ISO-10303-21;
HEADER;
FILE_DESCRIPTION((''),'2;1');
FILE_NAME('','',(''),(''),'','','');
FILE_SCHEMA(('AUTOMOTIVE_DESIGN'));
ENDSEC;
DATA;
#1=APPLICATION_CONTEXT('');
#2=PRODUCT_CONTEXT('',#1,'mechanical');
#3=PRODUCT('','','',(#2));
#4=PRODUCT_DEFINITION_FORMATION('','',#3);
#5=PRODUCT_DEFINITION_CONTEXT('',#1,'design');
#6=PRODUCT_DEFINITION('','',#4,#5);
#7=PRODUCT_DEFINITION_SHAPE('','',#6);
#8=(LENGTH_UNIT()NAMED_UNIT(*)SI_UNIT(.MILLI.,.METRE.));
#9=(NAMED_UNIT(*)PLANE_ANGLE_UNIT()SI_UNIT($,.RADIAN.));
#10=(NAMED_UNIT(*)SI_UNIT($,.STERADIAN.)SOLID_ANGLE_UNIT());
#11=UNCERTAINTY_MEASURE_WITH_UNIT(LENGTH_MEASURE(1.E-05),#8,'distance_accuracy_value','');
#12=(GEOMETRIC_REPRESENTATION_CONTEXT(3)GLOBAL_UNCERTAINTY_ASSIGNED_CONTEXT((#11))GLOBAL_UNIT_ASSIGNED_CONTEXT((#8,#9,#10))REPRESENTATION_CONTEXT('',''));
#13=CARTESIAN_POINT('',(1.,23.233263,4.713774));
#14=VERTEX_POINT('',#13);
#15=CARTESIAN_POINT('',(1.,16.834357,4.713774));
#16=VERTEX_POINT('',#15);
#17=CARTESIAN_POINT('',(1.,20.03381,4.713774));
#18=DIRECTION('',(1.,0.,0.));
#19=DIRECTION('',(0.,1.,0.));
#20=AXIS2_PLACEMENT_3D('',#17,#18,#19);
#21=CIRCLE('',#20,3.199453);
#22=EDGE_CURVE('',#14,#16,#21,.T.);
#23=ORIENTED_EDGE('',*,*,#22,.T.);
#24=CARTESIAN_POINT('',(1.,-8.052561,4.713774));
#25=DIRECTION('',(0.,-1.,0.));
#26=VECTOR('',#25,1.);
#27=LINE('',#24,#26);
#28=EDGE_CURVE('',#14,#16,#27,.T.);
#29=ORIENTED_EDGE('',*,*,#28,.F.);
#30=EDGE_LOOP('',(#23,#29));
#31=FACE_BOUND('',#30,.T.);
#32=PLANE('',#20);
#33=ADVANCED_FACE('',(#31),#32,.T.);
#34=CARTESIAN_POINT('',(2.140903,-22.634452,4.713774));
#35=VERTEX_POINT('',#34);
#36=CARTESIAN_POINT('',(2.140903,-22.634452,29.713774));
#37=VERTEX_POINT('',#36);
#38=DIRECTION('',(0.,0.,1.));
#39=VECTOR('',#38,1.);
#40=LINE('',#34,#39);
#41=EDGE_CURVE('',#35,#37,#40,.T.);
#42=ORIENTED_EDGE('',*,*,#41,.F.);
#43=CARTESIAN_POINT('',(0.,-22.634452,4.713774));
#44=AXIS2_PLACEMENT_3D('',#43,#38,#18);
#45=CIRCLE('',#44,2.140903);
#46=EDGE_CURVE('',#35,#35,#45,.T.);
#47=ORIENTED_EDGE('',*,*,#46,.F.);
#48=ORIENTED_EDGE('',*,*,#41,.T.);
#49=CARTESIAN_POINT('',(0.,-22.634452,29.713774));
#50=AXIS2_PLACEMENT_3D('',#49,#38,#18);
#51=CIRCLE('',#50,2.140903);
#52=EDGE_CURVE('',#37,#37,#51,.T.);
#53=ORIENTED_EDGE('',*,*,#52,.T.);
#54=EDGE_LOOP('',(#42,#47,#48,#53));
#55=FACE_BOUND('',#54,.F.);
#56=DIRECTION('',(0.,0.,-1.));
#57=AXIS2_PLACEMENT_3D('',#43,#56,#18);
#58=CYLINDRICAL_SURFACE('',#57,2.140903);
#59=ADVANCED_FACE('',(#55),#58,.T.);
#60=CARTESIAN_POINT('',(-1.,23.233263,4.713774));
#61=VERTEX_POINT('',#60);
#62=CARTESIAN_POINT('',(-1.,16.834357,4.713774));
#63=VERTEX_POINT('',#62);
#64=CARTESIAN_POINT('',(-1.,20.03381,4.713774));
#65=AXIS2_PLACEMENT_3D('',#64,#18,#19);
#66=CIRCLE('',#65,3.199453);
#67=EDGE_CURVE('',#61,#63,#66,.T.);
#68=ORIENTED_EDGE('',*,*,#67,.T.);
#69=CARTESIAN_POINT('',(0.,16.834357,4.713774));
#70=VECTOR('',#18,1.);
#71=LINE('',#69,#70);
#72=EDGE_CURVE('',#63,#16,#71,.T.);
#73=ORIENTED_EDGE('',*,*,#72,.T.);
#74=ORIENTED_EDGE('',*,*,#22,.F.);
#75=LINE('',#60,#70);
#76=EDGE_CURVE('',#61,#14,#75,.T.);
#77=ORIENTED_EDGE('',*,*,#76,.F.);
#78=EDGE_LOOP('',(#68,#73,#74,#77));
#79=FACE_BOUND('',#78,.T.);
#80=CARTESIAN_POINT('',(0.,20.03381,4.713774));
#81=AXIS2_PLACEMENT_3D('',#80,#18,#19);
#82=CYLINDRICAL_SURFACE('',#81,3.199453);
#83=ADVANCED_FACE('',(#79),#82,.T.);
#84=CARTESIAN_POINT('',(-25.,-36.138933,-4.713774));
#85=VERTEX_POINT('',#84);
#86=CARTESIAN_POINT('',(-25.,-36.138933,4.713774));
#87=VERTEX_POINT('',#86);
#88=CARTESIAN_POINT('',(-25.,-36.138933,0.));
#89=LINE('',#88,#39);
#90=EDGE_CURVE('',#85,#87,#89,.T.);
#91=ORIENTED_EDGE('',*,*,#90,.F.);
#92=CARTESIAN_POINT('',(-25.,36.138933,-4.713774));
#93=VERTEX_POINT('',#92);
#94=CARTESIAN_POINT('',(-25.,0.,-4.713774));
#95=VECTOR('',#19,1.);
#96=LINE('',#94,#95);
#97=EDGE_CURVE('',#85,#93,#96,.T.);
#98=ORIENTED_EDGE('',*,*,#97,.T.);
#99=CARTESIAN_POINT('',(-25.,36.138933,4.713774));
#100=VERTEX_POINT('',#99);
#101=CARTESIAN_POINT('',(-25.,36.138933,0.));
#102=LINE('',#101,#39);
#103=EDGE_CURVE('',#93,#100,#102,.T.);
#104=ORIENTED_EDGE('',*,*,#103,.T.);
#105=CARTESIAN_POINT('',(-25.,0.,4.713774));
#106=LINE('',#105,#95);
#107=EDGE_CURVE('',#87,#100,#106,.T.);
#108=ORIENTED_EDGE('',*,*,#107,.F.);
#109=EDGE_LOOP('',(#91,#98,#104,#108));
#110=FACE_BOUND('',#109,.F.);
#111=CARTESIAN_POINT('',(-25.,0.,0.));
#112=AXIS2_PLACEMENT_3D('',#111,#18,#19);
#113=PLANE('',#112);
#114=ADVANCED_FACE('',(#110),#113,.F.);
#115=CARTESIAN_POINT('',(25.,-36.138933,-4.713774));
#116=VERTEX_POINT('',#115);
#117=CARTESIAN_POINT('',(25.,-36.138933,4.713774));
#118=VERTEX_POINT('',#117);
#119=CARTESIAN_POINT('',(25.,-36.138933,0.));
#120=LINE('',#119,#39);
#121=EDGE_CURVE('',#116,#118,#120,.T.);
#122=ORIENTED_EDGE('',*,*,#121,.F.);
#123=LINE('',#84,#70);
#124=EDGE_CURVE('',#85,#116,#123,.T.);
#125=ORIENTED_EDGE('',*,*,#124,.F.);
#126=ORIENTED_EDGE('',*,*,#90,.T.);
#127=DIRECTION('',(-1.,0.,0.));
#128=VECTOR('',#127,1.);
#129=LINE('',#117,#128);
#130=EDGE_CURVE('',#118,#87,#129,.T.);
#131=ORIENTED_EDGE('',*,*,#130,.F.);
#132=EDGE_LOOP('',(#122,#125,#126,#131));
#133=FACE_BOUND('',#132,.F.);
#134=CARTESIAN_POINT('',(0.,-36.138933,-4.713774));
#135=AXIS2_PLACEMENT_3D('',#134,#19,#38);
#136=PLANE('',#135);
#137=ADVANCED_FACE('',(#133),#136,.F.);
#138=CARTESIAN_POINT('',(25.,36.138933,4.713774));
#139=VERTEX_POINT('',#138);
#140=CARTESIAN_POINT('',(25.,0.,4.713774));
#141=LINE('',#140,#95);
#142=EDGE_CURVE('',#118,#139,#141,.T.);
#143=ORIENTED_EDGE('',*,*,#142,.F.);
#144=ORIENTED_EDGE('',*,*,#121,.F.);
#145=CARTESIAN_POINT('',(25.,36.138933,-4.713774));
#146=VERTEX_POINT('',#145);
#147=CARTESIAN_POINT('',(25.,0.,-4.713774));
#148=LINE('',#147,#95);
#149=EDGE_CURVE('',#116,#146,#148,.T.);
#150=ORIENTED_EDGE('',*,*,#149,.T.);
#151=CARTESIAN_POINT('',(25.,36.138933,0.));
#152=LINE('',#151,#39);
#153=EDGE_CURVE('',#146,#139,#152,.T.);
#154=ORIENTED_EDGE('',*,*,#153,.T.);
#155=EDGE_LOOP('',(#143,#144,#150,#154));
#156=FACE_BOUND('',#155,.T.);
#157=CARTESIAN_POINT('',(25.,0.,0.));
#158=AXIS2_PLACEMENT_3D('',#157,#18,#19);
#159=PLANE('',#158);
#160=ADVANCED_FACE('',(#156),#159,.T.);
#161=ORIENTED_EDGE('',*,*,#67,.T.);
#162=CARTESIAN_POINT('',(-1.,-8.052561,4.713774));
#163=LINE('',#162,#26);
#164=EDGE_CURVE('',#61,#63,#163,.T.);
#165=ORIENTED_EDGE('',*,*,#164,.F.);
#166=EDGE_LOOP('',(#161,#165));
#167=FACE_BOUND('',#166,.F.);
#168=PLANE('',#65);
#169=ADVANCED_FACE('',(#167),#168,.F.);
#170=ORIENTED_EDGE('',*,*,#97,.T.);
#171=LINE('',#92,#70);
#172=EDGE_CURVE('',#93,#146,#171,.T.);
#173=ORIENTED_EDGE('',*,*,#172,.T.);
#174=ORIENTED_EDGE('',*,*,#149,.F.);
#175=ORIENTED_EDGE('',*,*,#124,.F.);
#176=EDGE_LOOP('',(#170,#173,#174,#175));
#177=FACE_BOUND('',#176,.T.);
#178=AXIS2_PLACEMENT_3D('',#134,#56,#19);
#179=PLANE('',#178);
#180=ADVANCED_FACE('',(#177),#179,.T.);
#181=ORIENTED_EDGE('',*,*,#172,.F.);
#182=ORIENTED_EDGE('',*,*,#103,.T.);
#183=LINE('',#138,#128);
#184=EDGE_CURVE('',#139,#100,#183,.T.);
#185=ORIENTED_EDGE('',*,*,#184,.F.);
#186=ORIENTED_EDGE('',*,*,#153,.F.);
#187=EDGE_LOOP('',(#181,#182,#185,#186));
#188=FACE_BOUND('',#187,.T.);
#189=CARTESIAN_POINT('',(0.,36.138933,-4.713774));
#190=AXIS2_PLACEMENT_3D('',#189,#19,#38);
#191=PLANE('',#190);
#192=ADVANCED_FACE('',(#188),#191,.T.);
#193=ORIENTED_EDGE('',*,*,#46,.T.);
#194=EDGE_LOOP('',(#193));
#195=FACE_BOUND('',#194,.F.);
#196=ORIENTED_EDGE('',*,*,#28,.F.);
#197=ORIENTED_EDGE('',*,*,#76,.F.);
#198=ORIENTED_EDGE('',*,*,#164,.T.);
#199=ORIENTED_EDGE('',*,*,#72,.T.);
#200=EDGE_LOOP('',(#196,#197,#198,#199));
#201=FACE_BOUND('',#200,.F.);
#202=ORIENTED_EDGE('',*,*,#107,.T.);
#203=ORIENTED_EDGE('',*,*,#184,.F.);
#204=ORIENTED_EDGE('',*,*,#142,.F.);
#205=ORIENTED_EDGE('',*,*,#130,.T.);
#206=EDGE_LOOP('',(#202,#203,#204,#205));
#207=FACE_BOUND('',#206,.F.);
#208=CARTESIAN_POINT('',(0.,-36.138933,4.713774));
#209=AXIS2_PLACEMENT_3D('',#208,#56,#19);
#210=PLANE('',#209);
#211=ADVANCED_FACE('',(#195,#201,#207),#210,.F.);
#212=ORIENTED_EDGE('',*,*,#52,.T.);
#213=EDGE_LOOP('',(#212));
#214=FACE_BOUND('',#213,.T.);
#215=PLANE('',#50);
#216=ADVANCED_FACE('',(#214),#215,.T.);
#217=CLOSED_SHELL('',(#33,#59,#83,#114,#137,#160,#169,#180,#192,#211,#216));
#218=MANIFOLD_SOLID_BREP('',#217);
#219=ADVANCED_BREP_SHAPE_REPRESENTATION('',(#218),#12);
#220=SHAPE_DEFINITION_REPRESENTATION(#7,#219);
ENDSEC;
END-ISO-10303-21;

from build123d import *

# Parameters (mm, degrees)
F0_W     = 72.277866
F0_H     = 9.427548
F1_DEPTH = 25
F2_R     = 2.140903
F3_DEPTH = 25
F4_R     = 3.199453
F5_DEPTH = 1


with BuildPart() as f1:
    # F0 (on Right) → F1 (new body, symmetric)
    with BuildSketch(Plane.YZ):
        Rectangle(F0_W, F0_H)
    extrude(amount=F1_DEPTH, both=True)

    # F2 (on face) → F3 (join)
    with BuildSketch(Plane.XY.offset(4.713774)):
        with Locations((0, -22.634452)):
            Circle(F2_R)
    extrude(amount=F3_DEPTH)

    # F4 (on Right) → F5 (join, symmetric)
    with BuildSketch(Plane.YZ):
        with Locations((20.03381, 4.713774)):
            Circle(F4_R)
    extrude(amount=F5_DEPTH, both=True)


solid = f1.part
